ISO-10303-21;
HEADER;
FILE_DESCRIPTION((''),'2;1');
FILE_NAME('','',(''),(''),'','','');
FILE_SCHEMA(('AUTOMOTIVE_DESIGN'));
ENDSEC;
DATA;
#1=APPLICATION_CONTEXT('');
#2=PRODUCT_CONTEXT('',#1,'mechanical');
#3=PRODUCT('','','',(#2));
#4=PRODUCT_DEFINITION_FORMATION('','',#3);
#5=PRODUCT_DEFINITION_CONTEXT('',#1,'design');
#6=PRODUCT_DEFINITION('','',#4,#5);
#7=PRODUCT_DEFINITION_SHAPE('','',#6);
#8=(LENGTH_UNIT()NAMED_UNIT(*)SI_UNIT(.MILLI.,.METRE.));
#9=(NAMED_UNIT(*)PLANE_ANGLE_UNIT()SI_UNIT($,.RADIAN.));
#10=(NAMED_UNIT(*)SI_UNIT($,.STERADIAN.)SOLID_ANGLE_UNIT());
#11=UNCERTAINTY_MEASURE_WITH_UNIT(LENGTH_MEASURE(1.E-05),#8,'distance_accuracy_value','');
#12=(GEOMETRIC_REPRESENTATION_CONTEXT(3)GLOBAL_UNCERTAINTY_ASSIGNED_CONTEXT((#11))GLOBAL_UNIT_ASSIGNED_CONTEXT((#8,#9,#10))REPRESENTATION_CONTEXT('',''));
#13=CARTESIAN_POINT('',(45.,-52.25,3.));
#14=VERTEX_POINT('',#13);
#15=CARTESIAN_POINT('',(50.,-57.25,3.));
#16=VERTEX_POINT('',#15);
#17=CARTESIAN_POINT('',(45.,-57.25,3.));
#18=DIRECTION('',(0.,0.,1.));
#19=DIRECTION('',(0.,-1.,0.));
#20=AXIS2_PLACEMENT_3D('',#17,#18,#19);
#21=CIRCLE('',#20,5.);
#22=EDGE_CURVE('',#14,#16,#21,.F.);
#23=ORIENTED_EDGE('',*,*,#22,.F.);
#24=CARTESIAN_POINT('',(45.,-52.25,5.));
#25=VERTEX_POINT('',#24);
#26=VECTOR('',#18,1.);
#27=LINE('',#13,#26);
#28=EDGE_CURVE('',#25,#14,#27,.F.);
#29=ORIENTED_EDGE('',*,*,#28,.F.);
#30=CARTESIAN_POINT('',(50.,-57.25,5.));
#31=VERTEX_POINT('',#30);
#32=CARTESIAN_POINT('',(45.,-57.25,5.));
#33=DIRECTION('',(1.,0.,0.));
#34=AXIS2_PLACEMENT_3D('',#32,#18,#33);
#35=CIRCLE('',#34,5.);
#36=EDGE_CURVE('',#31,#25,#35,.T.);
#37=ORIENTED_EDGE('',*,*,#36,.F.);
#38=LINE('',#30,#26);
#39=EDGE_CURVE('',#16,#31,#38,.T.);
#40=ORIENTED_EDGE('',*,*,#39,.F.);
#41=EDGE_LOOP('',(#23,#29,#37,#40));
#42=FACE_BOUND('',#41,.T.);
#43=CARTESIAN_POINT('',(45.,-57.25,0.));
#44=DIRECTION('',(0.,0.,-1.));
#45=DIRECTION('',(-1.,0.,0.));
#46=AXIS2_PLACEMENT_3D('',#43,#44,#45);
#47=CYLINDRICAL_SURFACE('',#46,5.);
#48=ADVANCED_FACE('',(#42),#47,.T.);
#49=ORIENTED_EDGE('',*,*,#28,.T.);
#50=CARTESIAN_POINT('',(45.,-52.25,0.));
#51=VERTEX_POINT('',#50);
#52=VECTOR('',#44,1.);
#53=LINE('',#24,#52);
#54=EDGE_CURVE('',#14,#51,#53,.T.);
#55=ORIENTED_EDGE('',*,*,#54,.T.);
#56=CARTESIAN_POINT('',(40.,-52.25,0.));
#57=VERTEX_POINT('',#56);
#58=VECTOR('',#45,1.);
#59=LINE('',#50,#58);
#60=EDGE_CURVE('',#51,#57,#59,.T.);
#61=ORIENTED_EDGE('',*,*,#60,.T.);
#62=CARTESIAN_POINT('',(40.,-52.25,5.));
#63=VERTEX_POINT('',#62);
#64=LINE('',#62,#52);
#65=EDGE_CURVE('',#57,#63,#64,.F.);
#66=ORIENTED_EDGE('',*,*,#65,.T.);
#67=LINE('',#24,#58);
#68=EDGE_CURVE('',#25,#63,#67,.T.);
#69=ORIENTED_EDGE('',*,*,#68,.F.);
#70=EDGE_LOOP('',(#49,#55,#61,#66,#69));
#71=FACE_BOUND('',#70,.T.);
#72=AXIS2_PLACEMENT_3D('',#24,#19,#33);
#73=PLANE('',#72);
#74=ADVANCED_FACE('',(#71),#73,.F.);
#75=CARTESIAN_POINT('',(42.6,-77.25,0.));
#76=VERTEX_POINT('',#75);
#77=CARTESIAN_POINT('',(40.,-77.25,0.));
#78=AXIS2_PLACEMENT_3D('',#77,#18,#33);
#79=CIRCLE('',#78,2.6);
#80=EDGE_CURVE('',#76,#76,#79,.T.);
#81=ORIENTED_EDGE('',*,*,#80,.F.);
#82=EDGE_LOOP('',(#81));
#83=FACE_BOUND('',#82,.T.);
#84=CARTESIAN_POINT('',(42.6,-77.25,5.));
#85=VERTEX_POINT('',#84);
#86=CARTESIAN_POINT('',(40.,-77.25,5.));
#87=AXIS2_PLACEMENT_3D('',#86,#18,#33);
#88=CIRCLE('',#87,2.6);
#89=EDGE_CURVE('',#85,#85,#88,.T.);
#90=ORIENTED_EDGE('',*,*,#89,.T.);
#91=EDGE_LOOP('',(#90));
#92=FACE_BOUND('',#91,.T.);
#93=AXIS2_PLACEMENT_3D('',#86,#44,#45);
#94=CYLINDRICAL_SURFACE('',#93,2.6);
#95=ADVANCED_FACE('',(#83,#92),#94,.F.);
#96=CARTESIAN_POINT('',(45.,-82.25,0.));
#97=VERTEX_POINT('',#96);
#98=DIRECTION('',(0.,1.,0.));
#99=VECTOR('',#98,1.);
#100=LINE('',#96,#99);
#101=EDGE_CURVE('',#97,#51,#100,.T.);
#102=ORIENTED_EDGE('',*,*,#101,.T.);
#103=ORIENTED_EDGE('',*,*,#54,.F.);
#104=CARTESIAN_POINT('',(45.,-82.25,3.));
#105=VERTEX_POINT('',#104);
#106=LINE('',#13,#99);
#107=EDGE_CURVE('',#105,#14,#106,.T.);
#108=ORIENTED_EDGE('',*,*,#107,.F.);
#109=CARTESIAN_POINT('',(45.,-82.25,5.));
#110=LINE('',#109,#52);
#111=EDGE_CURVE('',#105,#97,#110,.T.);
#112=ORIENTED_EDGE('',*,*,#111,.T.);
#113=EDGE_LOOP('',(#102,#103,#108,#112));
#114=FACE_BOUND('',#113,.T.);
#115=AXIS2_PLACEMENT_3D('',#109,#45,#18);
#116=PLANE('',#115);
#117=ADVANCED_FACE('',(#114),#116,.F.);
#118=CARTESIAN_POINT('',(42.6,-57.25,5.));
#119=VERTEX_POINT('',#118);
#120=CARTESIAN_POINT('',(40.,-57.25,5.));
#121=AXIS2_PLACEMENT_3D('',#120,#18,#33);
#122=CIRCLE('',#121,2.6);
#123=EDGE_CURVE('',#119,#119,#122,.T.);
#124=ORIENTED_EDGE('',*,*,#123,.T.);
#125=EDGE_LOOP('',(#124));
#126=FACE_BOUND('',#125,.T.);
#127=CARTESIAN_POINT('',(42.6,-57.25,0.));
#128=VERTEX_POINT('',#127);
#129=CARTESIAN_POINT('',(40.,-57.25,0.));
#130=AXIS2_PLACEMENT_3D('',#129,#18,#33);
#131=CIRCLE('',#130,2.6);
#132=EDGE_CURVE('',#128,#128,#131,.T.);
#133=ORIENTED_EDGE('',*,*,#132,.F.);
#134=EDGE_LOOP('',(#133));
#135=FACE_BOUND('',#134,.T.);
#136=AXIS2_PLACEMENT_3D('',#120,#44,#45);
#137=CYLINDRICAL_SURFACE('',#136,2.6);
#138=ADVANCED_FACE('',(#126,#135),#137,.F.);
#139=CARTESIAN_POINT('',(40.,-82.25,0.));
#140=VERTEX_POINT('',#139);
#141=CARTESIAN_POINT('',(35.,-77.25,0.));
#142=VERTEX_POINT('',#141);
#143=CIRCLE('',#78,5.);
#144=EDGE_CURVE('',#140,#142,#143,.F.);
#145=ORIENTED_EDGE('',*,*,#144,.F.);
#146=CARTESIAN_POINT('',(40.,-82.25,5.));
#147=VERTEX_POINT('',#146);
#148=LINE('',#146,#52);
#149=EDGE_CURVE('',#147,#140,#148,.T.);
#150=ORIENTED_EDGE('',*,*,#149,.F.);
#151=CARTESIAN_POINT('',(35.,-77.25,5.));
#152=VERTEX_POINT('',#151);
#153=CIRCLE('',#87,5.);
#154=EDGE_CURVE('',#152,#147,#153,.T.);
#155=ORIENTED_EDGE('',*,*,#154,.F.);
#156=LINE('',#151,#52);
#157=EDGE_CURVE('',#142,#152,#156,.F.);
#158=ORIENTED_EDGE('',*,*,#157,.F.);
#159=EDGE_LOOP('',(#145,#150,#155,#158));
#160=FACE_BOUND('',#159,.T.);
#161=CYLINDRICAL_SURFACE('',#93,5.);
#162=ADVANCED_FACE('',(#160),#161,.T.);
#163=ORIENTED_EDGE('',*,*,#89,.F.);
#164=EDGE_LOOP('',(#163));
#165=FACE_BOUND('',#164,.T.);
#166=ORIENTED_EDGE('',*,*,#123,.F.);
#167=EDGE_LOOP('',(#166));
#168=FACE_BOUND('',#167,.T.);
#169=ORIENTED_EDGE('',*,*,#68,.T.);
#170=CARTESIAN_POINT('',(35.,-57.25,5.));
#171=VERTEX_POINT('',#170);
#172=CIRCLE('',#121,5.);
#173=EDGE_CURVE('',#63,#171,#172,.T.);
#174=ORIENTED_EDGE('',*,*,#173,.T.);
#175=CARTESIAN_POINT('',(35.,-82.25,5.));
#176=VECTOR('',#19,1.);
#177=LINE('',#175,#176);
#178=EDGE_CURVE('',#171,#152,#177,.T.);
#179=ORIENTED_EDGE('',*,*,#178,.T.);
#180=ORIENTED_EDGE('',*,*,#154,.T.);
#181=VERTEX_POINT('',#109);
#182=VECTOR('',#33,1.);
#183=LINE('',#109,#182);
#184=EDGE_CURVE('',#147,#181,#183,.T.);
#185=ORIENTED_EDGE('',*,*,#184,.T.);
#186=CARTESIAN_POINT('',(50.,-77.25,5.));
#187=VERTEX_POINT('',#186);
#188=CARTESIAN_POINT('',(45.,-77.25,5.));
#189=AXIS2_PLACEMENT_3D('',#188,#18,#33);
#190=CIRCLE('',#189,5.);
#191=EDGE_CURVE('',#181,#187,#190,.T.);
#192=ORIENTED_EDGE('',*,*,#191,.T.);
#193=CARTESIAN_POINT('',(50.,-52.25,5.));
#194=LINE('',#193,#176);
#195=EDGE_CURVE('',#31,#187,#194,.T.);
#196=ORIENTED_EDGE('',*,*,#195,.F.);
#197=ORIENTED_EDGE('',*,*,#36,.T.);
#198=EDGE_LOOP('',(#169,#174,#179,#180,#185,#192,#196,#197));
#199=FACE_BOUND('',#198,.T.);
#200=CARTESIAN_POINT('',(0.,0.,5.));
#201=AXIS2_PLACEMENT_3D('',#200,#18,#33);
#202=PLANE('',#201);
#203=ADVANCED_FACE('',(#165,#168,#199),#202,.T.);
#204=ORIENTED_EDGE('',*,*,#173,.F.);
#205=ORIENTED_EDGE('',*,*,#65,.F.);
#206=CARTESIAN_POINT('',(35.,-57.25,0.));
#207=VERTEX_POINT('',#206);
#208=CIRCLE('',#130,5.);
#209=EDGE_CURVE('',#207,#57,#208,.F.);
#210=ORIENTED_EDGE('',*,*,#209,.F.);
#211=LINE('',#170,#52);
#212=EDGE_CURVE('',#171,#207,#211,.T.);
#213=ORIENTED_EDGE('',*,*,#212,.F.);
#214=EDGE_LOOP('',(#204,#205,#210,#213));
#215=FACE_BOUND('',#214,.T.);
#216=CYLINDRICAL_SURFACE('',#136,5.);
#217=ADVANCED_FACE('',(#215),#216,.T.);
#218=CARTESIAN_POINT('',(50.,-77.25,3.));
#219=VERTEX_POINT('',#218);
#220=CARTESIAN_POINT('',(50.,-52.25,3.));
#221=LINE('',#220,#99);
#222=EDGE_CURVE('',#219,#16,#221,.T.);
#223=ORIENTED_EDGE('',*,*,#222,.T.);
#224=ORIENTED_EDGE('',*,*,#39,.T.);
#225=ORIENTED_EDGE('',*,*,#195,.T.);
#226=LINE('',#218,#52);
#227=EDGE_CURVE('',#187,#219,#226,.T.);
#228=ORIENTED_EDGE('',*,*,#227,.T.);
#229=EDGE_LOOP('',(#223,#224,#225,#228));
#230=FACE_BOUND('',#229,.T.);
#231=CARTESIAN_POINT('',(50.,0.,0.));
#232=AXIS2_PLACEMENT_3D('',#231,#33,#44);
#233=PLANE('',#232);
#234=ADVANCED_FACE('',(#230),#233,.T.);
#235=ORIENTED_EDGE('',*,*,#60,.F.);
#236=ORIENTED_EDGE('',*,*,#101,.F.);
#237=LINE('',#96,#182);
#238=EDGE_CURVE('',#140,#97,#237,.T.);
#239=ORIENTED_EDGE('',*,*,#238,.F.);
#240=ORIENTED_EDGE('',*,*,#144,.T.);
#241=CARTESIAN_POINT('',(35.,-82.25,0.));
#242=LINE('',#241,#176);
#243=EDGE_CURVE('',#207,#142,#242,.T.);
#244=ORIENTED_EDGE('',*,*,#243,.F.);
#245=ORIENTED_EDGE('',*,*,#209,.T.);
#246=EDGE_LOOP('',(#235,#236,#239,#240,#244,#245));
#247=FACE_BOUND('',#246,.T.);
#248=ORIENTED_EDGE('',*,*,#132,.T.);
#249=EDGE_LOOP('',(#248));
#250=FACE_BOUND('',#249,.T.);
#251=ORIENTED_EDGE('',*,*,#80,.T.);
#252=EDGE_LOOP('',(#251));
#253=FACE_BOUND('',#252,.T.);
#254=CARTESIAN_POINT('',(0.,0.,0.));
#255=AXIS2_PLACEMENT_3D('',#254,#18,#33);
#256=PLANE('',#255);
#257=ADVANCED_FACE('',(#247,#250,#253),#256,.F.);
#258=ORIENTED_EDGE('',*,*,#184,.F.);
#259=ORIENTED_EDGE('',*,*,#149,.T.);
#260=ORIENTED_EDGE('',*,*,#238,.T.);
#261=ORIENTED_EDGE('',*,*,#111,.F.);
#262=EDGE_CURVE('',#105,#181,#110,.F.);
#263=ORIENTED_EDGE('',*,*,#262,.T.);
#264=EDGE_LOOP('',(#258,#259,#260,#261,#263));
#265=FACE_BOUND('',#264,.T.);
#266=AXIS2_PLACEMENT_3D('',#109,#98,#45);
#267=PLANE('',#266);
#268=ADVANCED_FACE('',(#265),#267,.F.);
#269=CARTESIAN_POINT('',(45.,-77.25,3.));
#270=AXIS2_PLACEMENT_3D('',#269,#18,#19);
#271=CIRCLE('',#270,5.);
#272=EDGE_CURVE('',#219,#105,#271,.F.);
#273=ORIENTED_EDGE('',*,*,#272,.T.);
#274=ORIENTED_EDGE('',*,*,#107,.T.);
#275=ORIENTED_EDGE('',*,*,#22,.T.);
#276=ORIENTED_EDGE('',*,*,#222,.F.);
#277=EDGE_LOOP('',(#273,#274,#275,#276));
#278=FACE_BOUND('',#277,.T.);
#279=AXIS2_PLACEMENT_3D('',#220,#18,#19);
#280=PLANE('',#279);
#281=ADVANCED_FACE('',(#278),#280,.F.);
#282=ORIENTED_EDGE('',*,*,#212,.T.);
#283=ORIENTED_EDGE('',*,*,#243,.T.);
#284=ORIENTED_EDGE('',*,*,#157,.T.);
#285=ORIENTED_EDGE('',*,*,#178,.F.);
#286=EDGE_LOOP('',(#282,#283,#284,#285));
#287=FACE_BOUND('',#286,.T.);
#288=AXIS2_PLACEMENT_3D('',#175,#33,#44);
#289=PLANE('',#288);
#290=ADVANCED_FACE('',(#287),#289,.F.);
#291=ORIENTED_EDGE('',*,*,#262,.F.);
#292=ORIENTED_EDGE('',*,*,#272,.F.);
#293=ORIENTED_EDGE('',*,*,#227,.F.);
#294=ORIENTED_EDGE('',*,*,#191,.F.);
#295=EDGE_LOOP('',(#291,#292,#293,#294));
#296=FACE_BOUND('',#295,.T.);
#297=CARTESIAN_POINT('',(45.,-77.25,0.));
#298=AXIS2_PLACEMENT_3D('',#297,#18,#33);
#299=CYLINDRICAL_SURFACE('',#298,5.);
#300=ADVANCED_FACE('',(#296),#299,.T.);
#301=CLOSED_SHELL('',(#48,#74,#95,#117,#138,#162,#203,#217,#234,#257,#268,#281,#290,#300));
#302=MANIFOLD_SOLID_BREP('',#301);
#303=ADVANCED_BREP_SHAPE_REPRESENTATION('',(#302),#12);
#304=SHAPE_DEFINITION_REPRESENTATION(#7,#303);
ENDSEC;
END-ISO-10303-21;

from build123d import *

# Parameters (mm, degrees)
ESQUISSE1_W        = 10
ESQUISSE1_H        = 30
ESQUISSE1_R        = 2.6
BOSS_EXTRU_1_DEPTH = 5
ESQUISSE2_W        = 2
ESQUISSE2_H        = 30
BOSS_EXTRU_2_DEPTH = 5
CONG_1_R           = 5


with BuildPart() as part:
    # Esquisse1 → Boss.-Extru.1 (new body)
    with BuildSketch(Plane.XY):
        with Locations((40, -67.25)):
            Rectangle(ESQUISSE1_W, ESQUISSE1_H)
        with Locations((40, -77.25)):
            Circle(ESQUISSE1_R, mode=Mode.SUBTRACT)
        with Locations((40, -57.25)):
            Circle(ESQUISSE1_R, mode=Mode.SUBTRACT)
    extrude(amount=BOSS_EXTRU_1_DEPTH)

    # Esquisse2 → Boss.-Extru.2 (add)
    with BuildSketch(Plane(origin=(45, 0, 0), x_dir=(0, 0, -1), z_dir=(1, 0, 0))):
        with Locations((-4, -67.25)):
            Rectangle(ESQUISSE2_W, ESQUISSE2_H)
    extrude(amount=BOSS_EXTRU_2_DEPTH)

    # Congé1
    cong_1_edges = [part.edges().sort_by_distance(p)[0] for p in [
        (50, -82.25, 4),
        (50, -52.25, 4),
        (35, -52.25, 2.5),
        (35, -82.25, 2.5),
    ]]
    fillet(cong_1_edges, radius=CONG_1_R)


solid = part.part
